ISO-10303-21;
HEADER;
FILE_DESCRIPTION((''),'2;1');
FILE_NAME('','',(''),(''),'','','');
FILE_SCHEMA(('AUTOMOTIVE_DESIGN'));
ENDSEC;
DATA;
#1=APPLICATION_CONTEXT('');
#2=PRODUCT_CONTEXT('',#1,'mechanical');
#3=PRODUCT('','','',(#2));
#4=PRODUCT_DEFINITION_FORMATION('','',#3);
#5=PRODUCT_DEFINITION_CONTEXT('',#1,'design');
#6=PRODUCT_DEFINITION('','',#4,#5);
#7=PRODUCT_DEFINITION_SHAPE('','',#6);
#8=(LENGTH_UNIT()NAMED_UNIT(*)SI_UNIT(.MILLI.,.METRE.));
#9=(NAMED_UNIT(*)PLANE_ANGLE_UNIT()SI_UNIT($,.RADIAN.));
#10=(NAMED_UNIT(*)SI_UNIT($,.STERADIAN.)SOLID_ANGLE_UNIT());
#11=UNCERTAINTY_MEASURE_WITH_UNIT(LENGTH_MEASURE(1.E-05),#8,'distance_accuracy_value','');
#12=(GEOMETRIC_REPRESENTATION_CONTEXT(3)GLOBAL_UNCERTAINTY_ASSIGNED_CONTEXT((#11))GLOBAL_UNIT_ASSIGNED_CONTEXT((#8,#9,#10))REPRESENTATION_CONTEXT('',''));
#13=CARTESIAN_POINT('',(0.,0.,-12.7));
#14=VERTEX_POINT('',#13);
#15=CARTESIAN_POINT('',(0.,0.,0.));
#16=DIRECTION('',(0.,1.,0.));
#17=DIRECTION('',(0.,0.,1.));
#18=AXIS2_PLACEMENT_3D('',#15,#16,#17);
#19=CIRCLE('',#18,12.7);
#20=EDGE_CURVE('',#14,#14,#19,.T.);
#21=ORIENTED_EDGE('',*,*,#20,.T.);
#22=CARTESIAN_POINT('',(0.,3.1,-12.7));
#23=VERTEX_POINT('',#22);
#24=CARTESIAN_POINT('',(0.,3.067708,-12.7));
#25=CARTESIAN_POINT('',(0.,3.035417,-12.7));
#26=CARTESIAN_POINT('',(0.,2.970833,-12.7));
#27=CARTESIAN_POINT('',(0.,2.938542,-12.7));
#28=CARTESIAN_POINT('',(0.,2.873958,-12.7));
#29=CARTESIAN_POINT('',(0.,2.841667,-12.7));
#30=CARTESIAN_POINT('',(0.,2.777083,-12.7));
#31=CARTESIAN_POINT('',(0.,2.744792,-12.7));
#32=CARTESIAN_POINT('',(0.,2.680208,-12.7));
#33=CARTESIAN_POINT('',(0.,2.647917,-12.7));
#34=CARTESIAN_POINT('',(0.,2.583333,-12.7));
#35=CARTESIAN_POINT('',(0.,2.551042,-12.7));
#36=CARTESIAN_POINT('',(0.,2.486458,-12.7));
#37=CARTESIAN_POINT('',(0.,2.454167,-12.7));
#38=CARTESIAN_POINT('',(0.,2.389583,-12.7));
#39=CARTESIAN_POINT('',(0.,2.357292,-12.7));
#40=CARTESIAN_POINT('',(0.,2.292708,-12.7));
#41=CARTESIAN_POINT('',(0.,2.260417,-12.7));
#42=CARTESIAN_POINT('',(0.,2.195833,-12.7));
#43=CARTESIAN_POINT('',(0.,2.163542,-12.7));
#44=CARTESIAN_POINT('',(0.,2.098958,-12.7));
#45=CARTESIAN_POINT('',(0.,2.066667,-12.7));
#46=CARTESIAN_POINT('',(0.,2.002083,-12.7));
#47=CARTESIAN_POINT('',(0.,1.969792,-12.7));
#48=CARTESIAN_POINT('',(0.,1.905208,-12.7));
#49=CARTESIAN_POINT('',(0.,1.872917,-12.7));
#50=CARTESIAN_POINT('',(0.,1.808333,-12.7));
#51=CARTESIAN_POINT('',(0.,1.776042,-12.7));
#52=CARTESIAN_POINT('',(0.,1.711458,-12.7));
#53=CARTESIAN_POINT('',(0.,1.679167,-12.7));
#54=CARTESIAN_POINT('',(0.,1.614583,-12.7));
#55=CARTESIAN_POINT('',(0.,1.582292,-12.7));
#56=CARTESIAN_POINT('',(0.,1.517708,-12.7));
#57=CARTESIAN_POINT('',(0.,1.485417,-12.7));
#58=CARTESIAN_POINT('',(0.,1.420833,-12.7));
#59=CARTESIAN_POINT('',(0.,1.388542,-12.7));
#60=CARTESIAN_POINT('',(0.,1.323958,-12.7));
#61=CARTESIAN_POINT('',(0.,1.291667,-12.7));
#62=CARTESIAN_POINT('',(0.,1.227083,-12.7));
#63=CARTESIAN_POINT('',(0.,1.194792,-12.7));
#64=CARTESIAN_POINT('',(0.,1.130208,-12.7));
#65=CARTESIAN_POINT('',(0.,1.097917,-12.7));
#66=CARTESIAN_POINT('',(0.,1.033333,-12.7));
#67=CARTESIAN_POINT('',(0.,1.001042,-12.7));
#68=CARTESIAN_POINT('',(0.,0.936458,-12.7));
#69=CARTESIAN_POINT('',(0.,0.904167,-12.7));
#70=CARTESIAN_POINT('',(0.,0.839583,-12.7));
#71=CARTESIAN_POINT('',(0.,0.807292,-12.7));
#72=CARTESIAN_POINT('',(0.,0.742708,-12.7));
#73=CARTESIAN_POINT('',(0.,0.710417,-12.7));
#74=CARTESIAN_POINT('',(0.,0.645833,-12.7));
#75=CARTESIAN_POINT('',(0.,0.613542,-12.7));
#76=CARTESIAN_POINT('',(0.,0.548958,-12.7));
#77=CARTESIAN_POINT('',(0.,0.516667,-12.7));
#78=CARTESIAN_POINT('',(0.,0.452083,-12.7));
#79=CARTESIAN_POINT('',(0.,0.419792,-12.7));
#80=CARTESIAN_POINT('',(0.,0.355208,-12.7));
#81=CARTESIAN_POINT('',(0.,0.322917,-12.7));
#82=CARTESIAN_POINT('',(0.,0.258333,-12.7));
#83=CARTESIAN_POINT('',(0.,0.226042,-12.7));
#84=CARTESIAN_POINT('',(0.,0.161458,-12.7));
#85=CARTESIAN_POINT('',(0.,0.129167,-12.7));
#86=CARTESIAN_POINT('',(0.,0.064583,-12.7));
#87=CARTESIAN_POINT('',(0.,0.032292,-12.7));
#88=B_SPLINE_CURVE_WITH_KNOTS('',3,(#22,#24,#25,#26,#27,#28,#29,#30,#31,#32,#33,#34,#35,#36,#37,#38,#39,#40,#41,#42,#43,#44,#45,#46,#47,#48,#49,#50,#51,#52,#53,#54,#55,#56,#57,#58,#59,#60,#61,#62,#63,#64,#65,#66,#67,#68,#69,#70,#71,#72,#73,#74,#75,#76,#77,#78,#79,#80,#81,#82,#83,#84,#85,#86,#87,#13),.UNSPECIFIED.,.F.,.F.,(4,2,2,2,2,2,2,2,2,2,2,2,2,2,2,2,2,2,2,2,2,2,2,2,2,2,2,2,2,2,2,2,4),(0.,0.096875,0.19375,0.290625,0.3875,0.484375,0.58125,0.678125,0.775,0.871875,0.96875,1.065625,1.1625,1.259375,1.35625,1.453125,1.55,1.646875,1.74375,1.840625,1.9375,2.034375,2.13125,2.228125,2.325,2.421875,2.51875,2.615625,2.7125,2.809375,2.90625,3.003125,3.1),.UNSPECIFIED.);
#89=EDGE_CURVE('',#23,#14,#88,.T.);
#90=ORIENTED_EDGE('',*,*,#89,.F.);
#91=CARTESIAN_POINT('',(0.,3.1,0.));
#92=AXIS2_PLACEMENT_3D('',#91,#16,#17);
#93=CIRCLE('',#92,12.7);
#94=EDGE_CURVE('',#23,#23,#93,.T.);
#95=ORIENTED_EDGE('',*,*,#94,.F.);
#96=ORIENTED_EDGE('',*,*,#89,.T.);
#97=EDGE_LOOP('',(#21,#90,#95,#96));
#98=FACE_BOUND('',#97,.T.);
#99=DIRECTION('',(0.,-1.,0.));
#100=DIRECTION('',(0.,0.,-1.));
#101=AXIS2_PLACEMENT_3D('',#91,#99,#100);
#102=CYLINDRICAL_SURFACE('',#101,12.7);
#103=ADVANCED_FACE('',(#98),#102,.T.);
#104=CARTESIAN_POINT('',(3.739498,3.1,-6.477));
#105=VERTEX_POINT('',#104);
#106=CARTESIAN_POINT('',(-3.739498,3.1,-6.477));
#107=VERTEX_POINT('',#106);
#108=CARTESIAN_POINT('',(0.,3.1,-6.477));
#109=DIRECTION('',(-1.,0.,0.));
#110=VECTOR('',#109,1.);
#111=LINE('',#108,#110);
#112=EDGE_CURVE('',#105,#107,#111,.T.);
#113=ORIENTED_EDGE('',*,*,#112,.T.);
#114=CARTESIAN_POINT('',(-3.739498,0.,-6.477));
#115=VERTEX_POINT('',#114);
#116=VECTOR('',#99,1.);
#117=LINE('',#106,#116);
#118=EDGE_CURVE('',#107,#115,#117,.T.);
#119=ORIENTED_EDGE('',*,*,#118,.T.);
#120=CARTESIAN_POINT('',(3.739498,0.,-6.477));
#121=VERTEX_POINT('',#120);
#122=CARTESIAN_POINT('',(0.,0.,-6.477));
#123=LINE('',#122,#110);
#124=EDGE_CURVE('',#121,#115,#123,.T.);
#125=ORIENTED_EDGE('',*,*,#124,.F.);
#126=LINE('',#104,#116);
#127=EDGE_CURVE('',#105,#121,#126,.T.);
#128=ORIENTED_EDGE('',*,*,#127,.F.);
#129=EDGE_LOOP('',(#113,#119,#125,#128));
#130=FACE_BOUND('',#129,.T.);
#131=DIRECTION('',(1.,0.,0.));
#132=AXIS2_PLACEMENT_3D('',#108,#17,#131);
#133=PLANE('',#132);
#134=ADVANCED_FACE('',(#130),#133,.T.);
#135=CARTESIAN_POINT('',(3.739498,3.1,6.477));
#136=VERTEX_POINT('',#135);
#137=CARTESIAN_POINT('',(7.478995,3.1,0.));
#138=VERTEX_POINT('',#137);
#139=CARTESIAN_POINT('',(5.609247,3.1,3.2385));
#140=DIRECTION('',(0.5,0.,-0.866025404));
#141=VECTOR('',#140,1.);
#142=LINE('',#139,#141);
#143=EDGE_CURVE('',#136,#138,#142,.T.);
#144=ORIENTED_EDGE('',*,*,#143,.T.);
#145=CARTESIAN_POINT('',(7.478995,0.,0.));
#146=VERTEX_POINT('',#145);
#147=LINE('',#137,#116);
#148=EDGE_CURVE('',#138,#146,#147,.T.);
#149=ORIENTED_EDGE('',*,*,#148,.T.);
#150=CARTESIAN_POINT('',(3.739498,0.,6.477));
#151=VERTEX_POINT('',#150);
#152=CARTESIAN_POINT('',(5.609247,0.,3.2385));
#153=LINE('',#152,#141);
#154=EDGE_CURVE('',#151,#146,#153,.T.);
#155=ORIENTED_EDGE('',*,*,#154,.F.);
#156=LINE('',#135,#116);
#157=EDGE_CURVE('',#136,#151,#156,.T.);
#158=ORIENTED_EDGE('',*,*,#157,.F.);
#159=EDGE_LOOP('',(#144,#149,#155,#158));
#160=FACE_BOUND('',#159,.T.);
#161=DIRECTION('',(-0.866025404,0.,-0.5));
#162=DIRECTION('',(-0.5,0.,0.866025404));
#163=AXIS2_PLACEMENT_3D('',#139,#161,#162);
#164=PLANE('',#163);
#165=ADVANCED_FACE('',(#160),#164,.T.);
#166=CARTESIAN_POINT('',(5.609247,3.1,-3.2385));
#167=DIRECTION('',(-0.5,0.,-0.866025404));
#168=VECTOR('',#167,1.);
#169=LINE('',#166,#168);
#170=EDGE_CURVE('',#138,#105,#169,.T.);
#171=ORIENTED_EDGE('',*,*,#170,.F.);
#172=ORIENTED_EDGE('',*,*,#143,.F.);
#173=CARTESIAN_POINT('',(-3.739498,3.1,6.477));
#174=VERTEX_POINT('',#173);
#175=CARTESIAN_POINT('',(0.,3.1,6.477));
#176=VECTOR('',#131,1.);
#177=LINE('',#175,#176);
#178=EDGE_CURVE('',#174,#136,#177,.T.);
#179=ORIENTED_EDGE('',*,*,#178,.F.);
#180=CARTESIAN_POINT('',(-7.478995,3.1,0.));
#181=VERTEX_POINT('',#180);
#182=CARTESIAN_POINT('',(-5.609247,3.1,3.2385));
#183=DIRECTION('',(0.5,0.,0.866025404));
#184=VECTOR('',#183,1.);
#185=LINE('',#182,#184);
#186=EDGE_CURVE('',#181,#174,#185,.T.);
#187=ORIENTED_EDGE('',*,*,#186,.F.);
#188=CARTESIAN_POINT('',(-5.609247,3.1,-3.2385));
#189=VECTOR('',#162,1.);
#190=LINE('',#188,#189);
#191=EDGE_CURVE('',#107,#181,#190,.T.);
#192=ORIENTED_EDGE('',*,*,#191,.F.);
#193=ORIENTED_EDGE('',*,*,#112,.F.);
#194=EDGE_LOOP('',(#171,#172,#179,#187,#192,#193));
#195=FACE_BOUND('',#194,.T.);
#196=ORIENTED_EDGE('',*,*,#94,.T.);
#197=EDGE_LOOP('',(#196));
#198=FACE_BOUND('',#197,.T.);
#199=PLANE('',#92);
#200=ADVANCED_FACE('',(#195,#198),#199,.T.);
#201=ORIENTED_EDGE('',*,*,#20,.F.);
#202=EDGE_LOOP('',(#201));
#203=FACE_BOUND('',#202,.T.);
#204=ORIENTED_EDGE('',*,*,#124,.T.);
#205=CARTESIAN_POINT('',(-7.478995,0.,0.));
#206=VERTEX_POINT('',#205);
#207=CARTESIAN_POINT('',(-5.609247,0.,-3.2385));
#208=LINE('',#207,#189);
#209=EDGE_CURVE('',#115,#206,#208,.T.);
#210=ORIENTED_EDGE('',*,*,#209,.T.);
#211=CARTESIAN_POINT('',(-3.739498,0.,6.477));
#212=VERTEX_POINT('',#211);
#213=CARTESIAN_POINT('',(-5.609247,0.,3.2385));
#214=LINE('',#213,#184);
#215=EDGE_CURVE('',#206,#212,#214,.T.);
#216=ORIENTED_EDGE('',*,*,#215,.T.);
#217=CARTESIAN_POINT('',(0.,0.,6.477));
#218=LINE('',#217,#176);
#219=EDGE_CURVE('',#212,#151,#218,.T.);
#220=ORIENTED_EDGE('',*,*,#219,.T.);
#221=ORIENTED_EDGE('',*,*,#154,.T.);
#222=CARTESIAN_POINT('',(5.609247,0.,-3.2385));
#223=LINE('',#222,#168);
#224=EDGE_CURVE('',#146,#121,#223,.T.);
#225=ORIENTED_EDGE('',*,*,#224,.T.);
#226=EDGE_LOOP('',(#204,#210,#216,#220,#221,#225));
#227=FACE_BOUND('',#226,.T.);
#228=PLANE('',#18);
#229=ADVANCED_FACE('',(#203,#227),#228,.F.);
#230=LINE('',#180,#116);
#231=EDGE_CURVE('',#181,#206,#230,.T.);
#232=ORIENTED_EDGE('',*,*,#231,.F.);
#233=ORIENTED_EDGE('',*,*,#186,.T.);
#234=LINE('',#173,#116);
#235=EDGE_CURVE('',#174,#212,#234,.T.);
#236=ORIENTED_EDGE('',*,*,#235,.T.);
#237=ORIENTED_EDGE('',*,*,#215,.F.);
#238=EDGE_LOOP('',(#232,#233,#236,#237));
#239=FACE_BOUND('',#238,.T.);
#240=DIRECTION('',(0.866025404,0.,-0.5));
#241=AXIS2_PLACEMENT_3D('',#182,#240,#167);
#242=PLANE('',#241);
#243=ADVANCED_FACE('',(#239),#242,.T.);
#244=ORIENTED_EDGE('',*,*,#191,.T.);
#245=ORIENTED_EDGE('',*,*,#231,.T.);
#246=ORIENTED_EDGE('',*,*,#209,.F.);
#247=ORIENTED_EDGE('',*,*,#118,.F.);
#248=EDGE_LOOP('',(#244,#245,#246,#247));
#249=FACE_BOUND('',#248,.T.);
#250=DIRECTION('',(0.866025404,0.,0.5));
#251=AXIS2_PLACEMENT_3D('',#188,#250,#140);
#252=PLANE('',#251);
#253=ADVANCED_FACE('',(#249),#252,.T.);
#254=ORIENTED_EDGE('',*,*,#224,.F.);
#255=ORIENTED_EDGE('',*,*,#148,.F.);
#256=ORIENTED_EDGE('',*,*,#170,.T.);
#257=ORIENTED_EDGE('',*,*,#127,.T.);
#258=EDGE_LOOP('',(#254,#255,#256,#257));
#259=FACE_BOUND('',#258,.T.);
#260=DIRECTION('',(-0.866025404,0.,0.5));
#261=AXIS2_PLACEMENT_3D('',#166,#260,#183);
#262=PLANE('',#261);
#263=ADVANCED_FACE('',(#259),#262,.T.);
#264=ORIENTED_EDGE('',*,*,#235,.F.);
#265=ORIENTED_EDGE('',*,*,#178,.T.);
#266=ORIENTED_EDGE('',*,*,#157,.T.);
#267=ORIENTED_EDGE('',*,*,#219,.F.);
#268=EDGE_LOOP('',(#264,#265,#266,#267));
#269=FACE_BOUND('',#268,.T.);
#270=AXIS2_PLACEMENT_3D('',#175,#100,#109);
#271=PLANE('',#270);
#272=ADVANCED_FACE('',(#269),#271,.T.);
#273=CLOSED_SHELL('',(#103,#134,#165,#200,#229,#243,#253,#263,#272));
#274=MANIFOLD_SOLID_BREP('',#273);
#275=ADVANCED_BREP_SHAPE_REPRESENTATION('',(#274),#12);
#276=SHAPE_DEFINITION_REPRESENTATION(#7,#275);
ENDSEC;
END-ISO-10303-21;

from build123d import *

# Parameters (mm, degrees)
SKETCH1_R           = 12.7
BOSS_EXTRUDE1_DEPTH = 3.1


with BuildPart() as part:
    # Sketch1 → Boss-Extrude1 (new body)
    with BuildSketch(Plane(origin=(0, 0, 0), x_dir=(1, 0, 0), z_dir=(0, 1, 0))):
        with Locations(Location((0, 0, 0), (0, 0, 90))):
            Circle(SKETCH1_R)
        Polygon((7.478995387, 0), (3.739497694, 6.477), (-3.739497694, 6.477), (-7.478995387, 0), (-3.739497694, -6.477), (3.739497694, -6.477), align=None, mode=Mode.SUBTRACT)
    extrude(amount=BOSS_EXTRUDE1_DEPTH)


solid = part.part
